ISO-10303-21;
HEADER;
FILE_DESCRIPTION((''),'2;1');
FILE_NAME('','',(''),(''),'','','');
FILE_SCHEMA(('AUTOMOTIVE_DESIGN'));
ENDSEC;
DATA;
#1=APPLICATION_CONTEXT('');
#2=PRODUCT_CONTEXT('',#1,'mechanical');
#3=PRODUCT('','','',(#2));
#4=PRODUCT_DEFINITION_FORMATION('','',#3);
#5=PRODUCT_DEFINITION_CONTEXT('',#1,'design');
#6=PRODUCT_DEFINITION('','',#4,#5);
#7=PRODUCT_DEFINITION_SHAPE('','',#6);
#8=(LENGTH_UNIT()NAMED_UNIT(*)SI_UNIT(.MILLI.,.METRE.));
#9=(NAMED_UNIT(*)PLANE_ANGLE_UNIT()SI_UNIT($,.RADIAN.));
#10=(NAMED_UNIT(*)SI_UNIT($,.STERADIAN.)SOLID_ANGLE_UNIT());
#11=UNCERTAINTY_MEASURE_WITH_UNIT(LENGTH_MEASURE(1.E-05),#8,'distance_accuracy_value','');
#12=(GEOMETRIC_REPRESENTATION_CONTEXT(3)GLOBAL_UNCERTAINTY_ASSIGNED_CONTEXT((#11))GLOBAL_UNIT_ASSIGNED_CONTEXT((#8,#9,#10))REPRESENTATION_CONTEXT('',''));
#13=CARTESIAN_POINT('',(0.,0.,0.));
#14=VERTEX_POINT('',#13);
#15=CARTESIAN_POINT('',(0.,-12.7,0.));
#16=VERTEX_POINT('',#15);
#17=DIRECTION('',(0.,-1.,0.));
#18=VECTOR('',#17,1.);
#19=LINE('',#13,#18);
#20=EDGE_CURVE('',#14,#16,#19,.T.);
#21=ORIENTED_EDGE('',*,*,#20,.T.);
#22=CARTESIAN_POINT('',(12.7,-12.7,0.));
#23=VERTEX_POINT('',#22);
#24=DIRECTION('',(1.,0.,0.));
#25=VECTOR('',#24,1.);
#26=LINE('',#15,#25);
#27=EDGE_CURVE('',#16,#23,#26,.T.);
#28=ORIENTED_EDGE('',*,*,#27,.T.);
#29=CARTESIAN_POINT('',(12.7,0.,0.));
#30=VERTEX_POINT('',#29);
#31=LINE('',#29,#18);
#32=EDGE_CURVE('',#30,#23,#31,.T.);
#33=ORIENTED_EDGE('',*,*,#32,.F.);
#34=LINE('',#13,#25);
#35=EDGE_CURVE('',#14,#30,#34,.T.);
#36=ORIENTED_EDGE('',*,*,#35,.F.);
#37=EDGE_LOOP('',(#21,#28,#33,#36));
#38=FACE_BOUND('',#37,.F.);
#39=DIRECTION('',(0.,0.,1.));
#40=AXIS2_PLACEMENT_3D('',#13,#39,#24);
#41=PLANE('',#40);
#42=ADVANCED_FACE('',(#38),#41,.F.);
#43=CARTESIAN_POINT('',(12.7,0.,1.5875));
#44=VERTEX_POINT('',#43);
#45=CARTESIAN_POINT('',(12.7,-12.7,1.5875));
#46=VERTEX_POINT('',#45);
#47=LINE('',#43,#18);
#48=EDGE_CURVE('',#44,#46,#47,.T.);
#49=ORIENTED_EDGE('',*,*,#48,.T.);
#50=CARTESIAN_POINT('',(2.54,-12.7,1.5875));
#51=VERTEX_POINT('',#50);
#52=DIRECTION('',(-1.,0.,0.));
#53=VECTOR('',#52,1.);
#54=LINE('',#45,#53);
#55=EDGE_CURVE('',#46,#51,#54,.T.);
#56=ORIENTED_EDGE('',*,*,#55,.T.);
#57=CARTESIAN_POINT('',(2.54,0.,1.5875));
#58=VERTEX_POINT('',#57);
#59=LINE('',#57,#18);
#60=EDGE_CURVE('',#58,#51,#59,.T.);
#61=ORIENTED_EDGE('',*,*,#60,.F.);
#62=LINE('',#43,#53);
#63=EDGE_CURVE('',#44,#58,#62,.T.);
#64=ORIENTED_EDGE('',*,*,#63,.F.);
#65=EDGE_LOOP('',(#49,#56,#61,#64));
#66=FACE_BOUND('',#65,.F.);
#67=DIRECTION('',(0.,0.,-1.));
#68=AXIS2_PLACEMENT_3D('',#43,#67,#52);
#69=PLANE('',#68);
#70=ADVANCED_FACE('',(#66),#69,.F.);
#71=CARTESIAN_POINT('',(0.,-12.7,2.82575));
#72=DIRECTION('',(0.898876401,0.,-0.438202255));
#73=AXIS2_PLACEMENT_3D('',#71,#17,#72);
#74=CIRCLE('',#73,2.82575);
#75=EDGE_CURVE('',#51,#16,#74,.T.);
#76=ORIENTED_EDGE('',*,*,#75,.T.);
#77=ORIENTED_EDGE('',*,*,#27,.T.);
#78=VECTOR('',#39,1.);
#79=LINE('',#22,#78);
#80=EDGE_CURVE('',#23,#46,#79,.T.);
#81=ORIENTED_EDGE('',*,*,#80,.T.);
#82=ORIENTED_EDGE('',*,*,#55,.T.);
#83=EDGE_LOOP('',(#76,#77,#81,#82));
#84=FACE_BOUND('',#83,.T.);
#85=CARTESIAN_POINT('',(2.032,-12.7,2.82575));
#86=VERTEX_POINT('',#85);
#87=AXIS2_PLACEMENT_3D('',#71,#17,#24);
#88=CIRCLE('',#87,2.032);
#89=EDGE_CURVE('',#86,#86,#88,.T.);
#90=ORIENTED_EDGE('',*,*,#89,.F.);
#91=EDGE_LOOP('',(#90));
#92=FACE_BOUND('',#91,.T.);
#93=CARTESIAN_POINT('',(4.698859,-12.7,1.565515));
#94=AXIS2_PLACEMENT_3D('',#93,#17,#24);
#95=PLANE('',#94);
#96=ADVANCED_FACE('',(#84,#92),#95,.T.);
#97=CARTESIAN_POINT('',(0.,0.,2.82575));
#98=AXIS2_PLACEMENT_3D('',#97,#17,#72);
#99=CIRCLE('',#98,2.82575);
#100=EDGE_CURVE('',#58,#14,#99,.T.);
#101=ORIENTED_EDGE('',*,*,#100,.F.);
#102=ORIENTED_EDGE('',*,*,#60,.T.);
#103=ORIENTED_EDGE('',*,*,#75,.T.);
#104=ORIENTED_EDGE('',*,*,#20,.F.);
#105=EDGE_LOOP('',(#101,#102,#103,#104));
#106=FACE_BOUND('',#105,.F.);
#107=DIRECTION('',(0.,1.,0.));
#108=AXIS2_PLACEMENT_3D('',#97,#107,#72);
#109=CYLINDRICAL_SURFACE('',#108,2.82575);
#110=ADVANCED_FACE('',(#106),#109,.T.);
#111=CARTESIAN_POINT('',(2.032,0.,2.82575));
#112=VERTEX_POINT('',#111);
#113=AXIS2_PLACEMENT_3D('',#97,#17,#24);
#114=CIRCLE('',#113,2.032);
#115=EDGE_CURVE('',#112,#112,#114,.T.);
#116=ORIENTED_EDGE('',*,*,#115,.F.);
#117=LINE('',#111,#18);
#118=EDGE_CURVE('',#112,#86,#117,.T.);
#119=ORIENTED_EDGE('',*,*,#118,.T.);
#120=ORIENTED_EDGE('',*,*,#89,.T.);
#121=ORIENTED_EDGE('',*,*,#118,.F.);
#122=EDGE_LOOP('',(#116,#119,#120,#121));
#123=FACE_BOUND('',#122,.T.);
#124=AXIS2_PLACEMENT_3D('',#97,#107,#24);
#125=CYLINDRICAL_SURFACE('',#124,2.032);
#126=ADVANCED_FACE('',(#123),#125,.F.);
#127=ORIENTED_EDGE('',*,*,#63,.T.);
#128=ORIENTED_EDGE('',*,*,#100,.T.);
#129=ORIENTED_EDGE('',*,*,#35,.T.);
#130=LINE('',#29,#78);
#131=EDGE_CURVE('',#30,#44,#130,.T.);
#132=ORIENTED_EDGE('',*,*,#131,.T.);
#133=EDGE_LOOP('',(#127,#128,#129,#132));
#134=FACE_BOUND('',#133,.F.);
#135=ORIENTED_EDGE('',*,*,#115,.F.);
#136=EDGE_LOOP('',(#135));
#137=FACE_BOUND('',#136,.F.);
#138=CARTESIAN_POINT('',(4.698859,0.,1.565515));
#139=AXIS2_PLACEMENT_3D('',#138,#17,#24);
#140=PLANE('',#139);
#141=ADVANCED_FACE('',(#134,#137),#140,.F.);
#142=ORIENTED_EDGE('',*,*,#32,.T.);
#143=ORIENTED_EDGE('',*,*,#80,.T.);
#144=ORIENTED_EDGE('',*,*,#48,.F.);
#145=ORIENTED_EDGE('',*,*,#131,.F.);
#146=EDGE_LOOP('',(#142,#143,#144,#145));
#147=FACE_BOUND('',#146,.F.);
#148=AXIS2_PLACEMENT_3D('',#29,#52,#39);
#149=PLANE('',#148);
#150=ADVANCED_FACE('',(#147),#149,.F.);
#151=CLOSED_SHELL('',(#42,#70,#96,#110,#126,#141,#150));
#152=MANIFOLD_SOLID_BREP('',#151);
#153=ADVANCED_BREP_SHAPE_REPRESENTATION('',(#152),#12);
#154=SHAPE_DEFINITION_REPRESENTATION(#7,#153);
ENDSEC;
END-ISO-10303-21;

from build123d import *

# Parameters (mm, degrees)
F0_R     = 2.032
F1_DEPTH = 12.7


with BuildPart() as f1:
    # F0 (on Front) → F1 (new body)
    with BuildSketch(Plane.XZ):
        with BuildLine():
            ThreePointArc((2.54, 1.5875), (-1.497645, 5.221981), (0, 0))
            Line((0, 0), (12.7, 0))
            Line((12.7, 0), (12.7, 1.5875))
            Line((12.7, 1.5875), (2.54, 1.5875))
        make_face()
        with Locations((0, 2.82575)):
            Circle(F0_R, mode=Mode.SUBTRACT)
    extrude(amount=F1_DEPTH)


solid = f1.part
